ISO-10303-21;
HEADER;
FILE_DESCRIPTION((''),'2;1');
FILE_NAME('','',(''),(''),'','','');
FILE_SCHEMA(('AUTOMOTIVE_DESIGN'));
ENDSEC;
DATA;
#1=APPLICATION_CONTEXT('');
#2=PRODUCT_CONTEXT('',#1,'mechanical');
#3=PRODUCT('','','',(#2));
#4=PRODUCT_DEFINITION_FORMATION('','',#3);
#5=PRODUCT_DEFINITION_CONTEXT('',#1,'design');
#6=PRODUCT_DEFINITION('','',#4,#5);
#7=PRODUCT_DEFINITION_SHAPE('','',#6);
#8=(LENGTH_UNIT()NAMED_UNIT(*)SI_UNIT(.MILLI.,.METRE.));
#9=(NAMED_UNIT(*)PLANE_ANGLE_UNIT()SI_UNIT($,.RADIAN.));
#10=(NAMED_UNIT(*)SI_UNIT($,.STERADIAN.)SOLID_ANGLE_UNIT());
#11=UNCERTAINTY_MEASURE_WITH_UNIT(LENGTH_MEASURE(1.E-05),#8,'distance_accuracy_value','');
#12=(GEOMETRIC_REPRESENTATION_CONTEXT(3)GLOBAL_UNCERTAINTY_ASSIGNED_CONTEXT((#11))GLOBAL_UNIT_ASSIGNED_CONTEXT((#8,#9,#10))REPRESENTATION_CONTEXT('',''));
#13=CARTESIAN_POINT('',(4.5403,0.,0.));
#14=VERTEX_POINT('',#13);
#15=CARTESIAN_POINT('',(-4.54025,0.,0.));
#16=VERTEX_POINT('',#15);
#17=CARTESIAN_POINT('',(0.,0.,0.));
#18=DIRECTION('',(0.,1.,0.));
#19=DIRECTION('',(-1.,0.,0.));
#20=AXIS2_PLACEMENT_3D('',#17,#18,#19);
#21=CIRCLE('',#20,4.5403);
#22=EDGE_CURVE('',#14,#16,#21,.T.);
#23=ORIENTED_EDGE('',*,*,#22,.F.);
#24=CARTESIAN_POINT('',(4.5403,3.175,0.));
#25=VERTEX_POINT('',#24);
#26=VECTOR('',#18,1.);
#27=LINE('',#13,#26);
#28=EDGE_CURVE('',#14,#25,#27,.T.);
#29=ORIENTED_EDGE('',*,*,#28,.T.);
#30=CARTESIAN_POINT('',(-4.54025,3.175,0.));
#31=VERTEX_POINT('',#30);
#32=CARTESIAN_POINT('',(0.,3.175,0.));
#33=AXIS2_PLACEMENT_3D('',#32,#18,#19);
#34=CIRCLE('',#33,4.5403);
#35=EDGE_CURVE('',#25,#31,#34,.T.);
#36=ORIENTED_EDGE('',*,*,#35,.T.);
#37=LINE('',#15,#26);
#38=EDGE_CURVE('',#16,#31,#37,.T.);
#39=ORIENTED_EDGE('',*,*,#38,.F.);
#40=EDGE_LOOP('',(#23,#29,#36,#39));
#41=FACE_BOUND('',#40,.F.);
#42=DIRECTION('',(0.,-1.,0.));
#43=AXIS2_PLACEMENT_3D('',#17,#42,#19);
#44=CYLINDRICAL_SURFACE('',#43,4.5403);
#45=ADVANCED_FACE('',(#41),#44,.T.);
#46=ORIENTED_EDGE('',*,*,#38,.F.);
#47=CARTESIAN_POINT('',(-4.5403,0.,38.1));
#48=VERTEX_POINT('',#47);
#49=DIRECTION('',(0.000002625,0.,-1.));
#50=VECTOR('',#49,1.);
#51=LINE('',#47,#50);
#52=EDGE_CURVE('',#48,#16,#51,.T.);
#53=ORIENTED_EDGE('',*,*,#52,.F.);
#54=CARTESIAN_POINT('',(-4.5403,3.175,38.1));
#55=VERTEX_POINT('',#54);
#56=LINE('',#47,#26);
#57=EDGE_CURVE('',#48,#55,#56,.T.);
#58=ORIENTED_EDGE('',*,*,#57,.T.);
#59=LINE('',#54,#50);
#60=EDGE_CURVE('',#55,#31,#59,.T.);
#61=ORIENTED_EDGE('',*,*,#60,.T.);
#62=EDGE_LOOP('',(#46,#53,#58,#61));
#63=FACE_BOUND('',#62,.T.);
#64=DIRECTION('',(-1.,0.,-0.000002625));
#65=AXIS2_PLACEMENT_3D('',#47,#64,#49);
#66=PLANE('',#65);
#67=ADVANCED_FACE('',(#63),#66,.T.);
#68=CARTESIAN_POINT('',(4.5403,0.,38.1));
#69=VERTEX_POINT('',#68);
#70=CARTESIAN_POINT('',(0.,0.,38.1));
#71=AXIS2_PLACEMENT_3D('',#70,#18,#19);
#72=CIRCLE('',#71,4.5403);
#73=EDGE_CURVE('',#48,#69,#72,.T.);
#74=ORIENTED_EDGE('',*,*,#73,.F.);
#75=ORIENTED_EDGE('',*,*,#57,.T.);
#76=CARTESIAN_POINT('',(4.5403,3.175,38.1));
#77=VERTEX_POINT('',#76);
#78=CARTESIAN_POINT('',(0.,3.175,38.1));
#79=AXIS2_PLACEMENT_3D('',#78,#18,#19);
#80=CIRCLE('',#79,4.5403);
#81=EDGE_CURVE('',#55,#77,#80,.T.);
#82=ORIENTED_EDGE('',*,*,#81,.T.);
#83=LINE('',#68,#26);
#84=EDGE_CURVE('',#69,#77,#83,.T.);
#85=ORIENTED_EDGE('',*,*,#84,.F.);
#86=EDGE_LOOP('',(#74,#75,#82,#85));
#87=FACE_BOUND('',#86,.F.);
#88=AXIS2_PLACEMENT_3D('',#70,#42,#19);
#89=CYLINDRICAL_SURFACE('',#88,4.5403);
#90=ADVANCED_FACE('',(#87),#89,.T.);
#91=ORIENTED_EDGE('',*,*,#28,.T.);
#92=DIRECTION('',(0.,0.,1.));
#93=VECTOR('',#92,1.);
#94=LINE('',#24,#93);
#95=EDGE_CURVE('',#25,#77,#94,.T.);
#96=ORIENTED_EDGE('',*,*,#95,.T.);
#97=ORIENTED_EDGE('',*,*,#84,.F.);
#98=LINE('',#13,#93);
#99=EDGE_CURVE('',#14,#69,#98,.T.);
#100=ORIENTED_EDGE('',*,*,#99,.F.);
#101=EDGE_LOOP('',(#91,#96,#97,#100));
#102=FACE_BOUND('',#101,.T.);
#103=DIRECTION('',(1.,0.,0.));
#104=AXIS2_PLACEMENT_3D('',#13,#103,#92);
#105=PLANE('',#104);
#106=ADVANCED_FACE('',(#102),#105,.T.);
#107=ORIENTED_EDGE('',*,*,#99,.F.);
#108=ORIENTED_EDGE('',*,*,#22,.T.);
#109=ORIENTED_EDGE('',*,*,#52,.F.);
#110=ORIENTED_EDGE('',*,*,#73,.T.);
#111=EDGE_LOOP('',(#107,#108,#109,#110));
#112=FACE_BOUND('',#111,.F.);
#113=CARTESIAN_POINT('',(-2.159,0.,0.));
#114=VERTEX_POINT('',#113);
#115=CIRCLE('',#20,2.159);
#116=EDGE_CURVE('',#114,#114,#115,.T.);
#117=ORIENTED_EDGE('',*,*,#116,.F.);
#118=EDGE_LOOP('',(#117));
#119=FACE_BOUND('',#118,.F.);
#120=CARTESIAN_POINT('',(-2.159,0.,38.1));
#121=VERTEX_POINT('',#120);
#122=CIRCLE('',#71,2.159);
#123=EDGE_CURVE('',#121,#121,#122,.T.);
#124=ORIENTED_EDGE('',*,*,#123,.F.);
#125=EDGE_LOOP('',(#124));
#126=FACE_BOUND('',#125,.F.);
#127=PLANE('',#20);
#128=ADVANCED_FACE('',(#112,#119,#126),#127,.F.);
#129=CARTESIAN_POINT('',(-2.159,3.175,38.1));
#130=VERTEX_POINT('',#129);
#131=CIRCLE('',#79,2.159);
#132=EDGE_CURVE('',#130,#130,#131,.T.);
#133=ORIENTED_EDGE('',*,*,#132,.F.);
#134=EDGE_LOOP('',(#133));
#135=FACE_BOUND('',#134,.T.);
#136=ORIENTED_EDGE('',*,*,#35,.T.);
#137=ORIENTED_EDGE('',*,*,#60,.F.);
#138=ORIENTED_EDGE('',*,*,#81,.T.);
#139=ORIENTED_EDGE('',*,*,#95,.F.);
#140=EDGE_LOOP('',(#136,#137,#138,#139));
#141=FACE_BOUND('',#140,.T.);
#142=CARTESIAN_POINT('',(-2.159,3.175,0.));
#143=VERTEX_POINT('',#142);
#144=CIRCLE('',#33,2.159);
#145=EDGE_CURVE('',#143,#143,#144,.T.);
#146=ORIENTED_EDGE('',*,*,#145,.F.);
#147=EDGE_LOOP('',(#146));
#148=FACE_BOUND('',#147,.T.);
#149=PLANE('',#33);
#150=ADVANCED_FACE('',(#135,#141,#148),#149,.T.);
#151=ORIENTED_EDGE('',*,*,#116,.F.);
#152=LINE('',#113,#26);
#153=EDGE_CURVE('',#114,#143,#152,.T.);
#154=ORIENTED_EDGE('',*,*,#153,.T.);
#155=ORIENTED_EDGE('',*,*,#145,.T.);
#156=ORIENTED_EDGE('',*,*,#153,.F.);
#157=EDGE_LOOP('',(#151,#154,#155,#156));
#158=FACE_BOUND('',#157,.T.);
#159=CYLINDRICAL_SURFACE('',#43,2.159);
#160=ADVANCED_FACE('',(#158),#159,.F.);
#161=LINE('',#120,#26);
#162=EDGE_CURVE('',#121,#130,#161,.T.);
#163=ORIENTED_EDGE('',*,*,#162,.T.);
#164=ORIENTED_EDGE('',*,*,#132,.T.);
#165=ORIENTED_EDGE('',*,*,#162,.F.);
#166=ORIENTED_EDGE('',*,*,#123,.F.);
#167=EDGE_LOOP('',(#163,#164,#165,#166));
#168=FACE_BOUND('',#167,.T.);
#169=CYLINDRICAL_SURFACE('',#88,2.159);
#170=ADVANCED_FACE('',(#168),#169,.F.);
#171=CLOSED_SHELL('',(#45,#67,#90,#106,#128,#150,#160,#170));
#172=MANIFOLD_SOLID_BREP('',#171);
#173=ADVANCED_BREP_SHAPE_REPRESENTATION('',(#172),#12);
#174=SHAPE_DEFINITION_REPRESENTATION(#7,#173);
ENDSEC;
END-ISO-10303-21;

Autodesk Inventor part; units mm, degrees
ref_plane "YZ Plane" through (0, 0, 0) normal (1, 0, 0) x (0, 1, 0)
ref_plane "XZ Plane" through (0, 0, 0) normal (0, 1, 0) x (-1, 0, 0)
ref_plane "XY Plane" through (0, 0, 0) normal (0, 0, 1) x (1, 0, 0)
sketch "Sketch1" plane through (0, 0, 0) normal (0, 1, 0) x (-1, 0, 0)
  circle A0 centre (0, 0) radius 2.159
  circle A1 centre (0, 38.1) radius 2.159
  circle A2 centre (0, 38.1) radius 4.5403
  circle A3 centre (0, 0) radius 4.5403
  line L0 (4.5403, 38.1) -> (4.5402, 0)
  line L1 (-4.5403, 0) -> (-4.5403, 38.1)
  dimension "d0" = 4.318
  dimension "d1" = 4.318
  dimension "d2" = 38.1
  dimension "d3" = 2.3813
  dimension "d4" = 2.3813
extrude "Extrusion1" add sketch "Sketch1" along normal blind 3.175
properties part number "Linear Arm" material "Acetal Resin, Black"
